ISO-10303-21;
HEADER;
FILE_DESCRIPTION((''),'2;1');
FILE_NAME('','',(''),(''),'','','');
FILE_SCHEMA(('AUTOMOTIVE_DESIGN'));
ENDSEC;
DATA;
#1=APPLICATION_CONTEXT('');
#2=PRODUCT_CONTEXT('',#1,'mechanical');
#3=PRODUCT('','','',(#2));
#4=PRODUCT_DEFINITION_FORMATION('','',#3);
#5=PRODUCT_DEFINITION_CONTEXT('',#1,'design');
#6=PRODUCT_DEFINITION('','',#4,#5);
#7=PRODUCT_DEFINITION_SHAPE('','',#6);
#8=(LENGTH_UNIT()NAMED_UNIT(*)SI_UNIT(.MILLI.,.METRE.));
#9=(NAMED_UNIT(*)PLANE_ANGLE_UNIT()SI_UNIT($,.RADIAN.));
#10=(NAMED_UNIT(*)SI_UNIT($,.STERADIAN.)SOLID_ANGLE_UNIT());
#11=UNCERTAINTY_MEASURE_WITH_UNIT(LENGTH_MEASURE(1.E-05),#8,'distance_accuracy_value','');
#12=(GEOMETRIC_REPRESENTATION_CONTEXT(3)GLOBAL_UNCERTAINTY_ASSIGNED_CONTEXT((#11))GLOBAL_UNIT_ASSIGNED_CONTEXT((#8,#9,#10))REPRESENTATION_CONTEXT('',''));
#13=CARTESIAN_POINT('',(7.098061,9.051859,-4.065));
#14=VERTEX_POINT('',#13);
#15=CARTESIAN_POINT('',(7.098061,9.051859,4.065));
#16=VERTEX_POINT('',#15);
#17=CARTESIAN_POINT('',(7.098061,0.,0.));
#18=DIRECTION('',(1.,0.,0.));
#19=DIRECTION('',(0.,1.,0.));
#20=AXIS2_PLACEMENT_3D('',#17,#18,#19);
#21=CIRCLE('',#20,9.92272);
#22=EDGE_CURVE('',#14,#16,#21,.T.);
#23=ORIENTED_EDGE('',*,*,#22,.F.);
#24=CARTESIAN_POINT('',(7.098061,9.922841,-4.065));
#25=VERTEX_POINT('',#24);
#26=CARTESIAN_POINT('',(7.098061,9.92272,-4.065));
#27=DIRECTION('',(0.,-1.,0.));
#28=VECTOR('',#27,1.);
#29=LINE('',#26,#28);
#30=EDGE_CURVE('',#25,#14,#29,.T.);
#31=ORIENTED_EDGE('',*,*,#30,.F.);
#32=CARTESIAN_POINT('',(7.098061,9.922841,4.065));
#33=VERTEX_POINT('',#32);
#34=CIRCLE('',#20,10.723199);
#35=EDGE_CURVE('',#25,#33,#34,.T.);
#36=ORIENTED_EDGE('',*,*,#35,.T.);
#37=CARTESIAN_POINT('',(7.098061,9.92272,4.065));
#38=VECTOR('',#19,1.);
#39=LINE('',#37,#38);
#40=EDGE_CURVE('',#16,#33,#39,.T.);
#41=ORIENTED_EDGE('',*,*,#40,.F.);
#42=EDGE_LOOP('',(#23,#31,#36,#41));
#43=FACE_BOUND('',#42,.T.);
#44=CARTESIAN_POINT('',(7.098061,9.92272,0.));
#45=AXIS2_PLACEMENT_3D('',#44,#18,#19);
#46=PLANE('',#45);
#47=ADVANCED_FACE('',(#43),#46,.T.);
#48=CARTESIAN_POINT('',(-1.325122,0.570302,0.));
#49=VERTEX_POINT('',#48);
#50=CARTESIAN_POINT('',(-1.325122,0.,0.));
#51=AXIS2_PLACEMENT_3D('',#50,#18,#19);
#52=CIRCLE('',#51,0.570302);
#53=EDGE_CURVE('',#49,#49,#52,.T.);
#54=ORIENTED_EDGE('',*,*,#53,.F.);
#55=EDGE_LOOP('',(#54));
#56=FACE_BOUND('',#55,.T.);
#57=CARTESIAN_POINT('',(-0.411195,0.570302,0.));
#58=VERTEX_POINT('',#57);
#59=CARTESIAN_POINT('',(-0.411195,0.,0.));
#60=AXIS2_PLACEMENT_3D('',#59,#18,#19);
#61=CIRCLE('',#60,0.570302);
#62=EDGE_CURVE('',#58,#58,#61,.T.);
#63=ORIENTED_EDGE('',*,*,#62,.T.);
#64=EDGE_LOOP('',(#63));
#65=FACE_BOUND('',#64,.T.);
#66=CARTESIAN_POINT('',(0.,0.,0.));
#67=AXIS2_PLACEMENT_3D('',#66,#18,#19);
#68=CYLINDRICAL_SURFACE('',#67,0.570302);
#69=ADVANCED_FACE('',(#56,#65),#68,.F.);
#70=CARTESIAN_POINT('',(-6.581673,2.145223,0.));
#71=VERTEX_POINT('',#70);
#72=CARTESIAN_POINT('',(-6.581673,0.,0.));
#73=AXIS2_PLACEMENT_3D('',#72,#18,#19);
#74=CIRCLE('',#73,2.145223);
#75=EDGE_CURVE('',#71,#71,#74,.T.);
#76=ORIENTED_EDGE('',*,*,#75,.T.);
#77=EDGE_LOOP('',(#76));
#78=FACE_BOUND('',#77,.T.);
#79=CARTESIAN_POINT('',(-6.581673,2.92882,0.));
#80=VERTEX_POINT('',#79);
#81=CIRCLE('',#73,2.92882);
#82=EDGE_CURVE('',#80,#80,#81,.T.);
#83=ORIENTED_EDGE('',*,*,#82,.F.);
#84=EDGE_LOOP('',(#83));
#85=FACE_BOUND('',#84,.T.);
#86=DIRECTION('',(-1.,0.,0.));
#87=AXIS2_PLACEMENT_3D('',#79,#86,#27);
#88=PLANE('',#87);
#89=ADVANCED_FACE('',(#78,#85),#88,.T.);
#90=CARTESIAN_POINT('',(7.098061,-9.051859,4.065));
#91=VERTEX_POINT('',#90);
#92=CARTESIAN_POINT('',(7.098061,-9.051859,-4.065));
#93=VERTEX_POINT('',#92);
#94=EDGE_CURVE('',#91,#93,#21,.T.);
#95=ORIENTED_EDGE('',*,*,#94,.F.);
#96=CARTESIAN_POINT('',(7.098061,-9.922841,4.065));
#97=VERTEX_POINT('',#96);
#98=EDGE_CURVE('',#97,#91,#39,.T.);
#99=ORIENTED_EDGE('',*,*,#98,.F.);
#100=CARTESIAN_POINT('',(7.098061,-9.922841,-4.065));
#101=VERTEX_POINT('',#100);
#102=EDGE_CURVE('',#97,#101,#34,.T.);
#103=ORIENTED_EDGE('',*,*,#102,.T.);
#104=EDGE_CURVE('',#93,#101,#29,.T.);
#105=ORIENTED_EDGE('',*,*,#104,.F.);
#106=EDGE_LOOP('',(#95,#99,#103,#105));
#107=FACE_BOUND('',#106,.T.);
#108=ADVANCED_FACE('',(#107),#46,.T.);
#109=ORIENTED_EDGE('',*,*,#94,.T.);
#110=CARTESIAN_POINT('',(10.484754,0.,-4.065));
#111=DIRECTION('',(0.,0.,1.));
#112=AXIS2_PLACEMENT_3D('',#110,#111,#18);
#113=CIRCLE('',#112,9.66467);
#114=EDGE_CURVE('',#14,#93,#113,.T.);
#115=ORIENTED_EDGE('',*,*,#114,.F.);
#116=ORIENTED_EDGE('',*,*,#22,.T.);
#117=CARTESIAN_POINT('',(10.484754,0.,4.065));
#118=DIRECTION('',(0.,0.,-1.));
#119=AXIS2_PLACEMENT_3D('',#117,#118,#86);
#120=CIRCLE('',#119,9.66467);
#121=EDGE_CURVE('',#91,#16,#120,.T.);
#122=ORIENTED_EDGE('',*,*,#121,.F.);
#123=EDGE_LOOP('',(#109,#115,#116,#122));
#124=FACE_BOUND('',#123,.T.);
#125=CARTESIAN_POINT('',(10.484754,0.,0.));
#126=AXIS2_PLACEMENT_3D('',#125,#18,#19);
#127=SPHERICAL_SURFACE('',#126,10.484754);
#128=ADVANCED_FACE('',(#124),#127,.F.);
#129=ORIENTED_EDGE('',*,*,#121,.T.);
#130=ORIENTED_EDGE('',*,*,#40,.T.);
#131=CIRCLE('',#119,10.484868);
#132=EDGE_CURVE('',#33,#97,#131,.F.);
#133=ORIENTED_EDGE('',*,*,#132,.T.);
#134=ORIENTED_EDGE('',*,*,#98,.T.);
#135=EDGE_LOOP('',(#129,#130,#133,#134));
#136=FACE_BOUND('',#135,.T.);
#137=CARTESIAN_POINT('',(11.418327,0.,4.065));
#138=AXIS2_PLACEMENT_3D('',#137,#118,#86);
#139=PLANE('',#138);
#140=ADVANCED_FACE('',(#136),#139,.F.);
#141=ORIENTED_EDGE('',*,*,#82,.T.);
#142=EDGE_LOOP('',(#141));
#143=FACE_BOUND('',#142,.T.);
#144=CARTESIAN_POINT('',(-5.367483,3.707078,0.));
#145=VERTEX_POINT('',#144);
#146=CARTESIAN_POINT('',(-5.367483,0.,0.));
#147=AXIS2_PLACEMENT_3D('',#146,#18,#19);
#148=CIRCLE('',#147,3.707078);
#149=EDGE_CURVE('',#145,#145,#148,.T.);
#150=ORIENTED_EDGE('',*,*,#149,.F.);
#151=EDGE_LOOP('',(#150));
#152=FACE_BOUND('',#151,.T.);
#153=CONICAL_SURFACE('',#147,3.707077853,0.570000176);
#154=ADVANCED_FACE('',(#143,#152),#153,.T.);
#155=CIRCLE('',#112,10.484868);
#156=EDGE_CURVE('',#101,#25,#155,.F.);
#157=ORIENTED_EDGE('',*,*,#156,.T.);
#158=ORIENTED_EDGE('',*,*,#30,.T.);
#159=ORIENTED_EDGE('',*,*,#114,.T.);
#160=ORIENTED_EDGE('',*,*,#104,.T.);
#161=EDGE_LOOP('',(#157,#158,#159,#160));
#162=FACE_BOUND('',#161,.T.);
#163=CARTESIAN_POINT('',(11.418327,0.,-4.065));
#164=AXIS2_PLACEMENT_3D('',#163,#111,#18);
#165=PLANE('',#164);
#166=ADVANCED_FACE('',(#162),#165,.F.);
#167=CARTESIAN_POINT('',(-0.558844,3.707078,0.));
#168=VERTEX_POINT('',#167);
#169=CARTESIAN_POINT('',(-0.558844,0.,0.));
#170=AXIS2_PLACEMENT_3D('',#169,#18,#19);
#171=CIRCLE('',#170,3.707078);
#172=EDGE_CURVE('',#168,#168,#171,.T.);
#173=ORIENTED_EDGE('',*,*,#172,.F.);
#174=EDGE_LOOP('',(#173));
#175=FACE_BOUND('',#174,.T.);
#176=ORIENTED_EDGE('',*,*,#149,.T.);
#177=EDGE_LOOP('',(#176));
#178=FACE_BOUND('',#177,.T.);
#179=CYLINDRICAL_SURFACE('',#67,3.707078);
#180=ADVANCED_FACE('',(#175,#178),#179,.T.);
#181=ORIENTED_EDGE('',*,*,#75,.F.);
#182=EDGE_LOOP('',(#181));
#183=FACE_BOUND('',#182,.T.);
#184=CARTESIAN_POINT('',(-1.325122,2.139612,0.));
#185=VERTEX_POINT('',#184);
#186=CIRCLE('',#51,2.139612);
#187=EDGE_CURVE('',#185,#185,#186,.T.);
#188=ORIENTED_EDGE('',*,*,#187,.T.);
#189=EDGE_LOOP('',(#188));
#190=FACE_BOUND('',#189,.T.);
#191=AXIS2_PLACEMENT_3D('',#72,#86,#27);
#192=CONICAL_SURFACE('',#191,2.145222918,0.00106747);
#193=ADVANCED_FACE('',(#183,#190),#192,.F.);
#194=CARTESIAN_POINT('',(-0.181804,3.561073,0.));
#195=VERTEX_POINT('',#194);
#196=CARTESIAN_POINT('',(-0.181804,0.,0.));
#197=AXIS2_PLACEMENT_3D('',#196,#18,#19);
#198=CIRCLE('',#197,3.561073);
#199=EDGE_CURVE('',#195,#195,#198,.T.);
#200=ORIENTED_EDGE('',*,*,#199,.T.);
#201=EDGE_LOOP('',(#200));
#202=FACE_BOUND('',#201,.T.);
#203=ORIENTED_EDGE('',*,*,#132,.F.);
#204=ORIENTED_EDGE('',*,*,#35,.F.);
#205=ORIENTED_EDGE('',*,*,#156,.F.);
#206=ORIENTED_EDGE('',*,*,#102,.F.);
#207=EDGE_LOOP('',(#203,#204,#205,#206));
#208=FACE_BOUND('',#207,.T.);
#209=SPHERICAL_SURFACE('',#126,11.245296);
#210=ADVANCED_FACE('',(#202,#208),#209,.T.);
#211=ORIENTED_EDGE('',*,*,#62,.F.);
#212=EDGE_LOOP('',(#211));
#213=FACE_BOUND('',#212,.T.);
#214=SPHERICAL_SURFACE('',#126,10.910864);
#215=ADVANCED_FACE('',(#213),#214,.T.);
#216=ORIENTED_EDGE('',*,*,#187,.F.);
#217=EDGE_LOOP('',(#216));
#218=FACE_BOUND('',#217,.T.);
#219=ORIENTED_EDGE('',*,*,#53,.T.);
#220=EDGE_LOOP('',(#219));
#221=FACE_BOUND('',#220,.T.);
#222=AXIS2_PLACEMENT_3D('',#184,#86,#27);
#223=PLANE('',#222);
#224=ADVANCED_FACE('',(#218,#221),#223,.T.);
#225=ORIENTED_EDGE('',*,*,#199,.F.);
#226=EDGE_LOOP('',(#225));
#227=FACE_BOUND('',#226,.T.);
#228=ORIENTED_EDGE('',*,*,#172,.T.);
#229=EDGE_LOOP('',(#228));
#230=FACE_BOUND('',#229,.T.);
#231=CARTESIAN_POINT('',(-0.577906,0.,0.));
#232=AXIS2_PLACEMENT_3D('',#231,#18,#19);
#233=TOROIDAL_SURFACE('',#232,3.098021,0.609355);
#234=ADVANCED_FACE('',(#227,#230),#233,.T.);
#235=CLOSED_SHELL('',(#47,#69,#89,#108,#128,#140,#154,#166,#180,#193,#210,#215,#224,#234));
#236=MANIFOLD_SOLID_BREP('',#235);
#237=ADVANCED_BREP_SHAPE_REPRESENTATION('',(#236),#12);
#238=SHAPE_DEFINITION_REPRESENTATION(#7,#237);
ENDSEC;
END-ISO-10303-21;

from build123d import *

# Parameters (mm, degrees)
KES_EKSTR_ZYON1_DEPTH = 18


with BuildPart() as part:
    # Çizim1 → Döndür3 (revolve)
    with BuildSketch(Plane.XY):
        with BuildLine():
            Line((-1.32512155, 2.139611708), (-1.32512155, 0.570301782))
            Line((-1.32512155, 0.570301782), (-0.411194993, 0.570301782))
            ThreePointArc((-0.411194993, 0.570301782), (-0.422380451, 0.285248389), (-0.426109787, 0))
            Line((-0.426109787, 0), (0, 0))
            ThreePointArc((0, 0), (1.957189595, 6.100058308), (7.098060997, 9.922720168))
            Line((7.098060997, 9.922720168), (7.098060997, 10.723199249))
            ThreePointArc((7.098060997, 10.723199249), (2.598216191, 8.016184499), (-0.181803757, 3.56107269))
            ThreePointArc((-0.181803757, 3.56107269), (-0.35786127, 3.666258696), (-0.558844205, 3.707077853))
            Line((-0.558844205, 3.707077853), (-5.367482514, 3.707077853))
            Line((-5.367482514, 3.707077853), (-6.581672956, 2.928819663))
            Line((-6.581672956, 2.928819663), (-6.581672956, 2.145222918))
            Line((-6.581672956, 2.145222918), (-1.32512155, 2.139611708))
        make_face()
    revolve(axis=Axis((0, 0, 0), (-1, 0, 0)))

    # Çizim2 → Kes-Ekstrüzyon1 (cut)
    with BuildSketch(Plane.ZY.offset(6.581672956)):
        Polygon((-4.065, 0), (-4.065, 9.922841183), (-12.277622452, 10.110434639), (-12.277622452, -10.854234794), (-4.065, -10.854234794), align=None)
        Polygon((4.065, 0), (4.065, 10.512736346), (12.14810156, 10.512736346), (12.606032623, -11.349214468), (4.065, -11.349214468), align=None)
    extrude(amount=-KES_EKSTR_ZYON1_DEPTH, mode=Mode.SUBTRACT)


solid = part.part
